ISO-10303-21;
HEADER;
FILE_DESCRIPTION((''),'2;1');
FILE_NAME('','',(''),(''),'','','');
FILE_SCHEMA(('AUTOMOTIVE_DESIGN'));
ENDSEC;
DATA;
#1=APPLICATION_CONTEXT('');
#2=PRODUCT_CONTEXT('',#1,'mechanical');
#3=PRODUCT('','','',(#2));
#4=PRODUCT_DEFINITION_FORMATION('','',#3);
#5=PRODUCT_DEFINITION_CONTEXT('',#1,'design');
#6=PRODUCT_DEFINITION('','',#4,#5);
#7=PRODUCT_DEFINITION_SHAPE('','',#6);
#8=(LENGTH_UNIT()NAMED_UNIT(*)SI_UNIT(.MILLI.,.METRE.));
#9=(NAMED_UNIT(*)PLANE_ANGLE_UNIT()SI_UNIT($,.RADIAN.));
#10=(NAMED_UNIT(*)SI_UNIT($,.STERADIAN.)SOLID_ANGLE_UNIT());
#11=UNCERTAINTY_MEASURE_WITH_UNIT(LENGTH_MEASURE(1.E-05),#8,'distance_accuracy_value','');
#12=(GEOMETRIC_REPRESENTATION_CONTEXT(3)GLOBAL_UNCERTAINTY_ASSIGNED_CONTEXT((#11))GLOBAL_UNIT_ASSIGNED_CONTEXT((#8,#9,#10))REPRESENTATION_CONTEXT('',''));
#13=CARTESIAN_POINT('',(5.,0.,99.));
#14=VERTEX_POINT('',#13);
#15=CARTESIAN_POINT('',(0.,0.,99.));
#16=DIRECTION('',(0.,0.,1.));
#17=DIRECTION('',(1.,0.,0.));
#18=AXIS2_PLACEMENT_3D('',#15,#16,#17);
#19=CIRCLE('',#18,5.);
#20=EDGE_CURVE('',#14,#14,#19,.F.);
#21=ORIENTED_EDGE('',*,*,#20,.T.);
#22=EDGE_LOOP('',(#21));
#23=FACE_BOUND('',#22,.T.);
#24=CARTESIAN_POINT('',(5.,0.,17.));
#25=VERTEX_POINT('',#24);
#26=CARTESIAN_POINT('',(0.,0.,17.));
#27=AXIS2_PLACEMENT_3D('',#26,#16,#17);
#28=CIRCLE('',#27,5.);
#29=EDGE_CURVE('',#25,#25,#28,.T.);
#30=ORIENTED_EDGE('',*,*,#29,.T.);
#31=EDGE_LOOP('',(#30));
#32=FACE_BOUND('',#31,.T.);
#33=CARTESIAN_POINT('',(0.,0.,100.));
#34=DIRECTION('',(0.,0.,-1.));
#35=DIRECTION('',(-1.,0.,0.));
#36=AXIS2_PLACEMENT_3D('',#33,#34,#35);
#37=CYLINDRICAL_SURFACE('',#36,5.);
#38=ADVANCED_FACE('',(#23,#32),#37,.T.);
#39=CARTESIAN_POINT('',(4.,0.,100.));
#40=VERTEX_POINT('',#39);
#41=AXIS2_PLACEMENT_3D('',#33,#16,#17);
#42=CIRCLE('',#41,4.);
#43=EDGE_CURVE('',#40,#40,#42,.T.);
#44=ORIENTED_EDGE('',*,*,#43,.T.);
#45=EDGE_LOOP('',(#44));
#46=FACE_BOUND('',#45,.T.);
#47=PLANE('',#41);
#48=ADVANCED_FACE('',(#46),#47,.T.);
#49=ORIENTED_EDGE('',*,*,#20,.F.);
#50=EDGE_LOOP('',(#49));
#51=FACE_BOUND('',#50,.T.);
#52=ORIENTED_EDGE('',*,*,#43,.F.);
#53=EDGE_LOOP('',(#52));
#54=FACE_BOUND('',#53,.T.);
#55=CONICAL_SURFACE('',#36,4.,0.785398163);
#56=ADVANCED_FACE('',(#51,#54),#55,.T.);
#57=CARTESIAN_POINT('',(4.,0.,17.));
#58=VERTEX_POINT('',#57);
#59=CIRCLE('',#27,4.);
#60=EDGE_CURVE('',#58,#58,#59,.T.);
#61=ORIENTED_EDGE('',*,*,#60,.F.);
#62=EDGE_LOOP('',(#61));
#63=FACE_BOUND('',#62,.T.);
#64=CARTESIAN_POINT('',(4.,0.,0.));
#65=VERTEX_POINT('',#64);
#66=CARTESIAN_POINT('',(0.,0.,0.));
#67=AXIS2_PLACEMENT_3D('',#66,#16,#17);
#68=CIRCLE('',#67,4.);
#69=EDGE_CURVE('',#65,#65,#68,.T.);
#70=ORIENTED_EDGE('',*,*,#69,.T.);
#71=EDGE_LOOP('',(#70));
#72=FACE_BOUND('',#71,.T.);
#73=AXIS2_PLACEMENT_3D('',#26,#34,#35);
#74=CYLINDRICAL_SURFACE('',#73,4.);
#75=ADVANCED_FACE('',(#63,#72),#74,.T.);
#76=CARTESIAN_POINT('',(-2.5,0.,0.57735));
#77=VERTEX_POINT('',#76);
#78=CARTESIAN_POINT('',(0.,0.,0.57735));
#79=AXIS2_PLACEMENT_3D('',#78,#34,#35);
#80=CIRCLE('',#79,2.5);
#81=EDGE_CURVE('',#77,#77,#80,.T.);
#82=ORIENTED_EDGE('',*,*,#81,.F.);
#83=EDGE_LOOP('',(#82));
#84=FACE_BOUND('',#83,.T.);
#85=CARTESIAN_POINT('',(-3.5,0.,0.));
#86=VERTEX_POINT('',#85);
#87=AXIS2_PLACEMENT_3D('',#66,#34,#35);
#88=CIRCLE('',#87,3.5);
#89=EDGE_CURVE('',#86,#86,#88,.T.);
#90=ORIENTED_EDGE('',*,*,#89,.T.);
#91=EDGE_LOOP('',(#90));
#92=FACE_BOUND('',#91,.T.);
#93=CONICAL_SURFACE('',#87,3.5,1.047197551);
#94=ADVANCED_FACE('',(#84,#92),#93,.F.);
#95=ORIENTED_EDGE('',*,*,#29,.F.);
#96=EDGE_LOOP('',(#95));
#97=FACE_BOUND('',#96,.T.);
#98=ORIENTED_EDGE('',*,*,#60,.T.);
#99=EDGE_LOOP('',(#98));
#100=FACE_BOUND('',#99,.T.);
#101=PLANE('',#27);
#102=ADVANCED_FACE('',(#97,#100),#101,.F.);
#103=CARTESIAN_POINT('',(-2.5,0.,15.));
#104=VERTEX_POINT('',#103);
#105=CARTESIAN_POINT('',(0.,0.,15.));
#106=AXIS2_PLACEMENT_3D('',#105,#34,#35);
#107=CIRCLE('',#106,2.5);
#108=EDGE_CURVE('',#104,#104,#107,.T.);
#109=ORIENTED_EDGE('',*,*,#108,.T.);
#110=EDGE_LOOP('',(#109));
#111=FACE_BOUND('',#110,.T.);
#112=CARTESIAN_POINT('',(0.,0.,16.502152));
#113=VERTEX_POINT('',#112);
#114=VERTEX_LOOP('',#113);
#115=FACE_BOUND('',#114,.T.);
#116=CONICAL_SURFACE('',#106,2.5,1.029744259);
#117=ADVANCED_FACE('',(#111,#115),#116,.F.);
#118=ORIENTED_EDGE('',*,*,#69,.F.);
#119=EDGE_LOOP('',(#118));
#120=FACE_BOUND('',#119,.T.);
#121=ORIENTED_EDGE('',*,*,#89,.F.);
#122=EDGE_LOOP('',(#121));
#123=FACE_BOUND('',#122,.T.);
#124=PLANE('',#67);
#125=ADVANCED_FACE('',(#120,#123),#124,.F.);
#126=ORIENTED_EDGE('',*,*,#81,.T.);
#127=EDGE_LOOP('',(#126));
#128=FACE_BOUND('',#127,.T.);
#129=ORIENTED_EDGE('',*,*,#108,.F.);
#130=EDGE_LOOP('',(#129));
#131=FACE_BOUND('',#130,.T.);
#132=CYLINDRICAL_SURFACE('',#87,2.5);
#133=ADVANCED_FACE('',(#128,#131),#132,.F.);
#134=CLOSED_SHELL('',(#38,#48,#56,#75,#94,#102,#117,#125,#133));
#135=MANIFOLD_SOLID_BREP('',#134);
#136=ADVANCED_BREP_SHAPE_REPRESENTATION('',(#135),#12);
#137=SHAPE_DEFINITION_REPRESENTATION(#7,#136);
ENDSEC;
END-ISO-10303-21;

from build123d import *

# Parameters (mm, degrees)
ESQUISSE1_R                 = 4
BOSS_EXTRU_1_DEPTH          = 17
ESQUISSE2_R                 = 5
BOSS_EXTRU_2_DEPTH          = 83
CHANFREIN1_SIZE             = 1
TROU_TARAUD_M61_D           = 5
TROU_TARAUD_M61_DEPTH       = 15
TROU_TARAUD_M61_CSINK_D     = 7
TROU_TARAUD_M61_CSINK_ANGLE = 120
TROU_TARAUD_M61_TIP         = 1.502151548


with BuildPart() as part:
    # Esquisse1 → Boss.-Extru.1 (new body)
    with BuildSketch(Plane.XY):
        Circle(ESQUISSE1_R)
    extrude(amount=BOSS_EXTRU_1_DEPTH)

    # Esquisse2 → Boss.-Extru.2 (add)
    with BuildSketch(Plane.XY.offset(17)):
        Circle(ESQUISSE2_R)
    extrude(amount=BOSS_EXTRU_2_DEPTH)

    # Chanfrein1
    chanfrein1_edges = [part.edges().sort_by_distance(p)[0] for p in [
        (-5, 0, 100),
    ]]
    chamfer(chanfrein1_edges, length=CHANFREIN1_SIZE)

    # Trou taraudé M61
    with Locations(Plane(origin=(0, 0, 0), x_dir=(-1, 0, 0), z_dir=(0, 0, -1))):
        with Locations((0, 0)):
            CounterSinkHole(TROU_TARAUD_M61_D / 2, TROU_TARAUD_M61_CSINK_D / 2, depth=TROU_TARAUD_M61_DEPTH, counter_sink_angle=TROU_TARAUD_M61_CSINK_ANGLE)
            with Locations((0, 0, -(TROU_TARAUD_M61_DEPTH + TROU_TARAUD_M61_TIP / 2))):  # 118° drill point
                Cone(0, TROU_TARAUD_M61_D / 2, TROU_TARAUD_M61_TIP, mode=Mode.SUBTRACT)


solid = part.part
